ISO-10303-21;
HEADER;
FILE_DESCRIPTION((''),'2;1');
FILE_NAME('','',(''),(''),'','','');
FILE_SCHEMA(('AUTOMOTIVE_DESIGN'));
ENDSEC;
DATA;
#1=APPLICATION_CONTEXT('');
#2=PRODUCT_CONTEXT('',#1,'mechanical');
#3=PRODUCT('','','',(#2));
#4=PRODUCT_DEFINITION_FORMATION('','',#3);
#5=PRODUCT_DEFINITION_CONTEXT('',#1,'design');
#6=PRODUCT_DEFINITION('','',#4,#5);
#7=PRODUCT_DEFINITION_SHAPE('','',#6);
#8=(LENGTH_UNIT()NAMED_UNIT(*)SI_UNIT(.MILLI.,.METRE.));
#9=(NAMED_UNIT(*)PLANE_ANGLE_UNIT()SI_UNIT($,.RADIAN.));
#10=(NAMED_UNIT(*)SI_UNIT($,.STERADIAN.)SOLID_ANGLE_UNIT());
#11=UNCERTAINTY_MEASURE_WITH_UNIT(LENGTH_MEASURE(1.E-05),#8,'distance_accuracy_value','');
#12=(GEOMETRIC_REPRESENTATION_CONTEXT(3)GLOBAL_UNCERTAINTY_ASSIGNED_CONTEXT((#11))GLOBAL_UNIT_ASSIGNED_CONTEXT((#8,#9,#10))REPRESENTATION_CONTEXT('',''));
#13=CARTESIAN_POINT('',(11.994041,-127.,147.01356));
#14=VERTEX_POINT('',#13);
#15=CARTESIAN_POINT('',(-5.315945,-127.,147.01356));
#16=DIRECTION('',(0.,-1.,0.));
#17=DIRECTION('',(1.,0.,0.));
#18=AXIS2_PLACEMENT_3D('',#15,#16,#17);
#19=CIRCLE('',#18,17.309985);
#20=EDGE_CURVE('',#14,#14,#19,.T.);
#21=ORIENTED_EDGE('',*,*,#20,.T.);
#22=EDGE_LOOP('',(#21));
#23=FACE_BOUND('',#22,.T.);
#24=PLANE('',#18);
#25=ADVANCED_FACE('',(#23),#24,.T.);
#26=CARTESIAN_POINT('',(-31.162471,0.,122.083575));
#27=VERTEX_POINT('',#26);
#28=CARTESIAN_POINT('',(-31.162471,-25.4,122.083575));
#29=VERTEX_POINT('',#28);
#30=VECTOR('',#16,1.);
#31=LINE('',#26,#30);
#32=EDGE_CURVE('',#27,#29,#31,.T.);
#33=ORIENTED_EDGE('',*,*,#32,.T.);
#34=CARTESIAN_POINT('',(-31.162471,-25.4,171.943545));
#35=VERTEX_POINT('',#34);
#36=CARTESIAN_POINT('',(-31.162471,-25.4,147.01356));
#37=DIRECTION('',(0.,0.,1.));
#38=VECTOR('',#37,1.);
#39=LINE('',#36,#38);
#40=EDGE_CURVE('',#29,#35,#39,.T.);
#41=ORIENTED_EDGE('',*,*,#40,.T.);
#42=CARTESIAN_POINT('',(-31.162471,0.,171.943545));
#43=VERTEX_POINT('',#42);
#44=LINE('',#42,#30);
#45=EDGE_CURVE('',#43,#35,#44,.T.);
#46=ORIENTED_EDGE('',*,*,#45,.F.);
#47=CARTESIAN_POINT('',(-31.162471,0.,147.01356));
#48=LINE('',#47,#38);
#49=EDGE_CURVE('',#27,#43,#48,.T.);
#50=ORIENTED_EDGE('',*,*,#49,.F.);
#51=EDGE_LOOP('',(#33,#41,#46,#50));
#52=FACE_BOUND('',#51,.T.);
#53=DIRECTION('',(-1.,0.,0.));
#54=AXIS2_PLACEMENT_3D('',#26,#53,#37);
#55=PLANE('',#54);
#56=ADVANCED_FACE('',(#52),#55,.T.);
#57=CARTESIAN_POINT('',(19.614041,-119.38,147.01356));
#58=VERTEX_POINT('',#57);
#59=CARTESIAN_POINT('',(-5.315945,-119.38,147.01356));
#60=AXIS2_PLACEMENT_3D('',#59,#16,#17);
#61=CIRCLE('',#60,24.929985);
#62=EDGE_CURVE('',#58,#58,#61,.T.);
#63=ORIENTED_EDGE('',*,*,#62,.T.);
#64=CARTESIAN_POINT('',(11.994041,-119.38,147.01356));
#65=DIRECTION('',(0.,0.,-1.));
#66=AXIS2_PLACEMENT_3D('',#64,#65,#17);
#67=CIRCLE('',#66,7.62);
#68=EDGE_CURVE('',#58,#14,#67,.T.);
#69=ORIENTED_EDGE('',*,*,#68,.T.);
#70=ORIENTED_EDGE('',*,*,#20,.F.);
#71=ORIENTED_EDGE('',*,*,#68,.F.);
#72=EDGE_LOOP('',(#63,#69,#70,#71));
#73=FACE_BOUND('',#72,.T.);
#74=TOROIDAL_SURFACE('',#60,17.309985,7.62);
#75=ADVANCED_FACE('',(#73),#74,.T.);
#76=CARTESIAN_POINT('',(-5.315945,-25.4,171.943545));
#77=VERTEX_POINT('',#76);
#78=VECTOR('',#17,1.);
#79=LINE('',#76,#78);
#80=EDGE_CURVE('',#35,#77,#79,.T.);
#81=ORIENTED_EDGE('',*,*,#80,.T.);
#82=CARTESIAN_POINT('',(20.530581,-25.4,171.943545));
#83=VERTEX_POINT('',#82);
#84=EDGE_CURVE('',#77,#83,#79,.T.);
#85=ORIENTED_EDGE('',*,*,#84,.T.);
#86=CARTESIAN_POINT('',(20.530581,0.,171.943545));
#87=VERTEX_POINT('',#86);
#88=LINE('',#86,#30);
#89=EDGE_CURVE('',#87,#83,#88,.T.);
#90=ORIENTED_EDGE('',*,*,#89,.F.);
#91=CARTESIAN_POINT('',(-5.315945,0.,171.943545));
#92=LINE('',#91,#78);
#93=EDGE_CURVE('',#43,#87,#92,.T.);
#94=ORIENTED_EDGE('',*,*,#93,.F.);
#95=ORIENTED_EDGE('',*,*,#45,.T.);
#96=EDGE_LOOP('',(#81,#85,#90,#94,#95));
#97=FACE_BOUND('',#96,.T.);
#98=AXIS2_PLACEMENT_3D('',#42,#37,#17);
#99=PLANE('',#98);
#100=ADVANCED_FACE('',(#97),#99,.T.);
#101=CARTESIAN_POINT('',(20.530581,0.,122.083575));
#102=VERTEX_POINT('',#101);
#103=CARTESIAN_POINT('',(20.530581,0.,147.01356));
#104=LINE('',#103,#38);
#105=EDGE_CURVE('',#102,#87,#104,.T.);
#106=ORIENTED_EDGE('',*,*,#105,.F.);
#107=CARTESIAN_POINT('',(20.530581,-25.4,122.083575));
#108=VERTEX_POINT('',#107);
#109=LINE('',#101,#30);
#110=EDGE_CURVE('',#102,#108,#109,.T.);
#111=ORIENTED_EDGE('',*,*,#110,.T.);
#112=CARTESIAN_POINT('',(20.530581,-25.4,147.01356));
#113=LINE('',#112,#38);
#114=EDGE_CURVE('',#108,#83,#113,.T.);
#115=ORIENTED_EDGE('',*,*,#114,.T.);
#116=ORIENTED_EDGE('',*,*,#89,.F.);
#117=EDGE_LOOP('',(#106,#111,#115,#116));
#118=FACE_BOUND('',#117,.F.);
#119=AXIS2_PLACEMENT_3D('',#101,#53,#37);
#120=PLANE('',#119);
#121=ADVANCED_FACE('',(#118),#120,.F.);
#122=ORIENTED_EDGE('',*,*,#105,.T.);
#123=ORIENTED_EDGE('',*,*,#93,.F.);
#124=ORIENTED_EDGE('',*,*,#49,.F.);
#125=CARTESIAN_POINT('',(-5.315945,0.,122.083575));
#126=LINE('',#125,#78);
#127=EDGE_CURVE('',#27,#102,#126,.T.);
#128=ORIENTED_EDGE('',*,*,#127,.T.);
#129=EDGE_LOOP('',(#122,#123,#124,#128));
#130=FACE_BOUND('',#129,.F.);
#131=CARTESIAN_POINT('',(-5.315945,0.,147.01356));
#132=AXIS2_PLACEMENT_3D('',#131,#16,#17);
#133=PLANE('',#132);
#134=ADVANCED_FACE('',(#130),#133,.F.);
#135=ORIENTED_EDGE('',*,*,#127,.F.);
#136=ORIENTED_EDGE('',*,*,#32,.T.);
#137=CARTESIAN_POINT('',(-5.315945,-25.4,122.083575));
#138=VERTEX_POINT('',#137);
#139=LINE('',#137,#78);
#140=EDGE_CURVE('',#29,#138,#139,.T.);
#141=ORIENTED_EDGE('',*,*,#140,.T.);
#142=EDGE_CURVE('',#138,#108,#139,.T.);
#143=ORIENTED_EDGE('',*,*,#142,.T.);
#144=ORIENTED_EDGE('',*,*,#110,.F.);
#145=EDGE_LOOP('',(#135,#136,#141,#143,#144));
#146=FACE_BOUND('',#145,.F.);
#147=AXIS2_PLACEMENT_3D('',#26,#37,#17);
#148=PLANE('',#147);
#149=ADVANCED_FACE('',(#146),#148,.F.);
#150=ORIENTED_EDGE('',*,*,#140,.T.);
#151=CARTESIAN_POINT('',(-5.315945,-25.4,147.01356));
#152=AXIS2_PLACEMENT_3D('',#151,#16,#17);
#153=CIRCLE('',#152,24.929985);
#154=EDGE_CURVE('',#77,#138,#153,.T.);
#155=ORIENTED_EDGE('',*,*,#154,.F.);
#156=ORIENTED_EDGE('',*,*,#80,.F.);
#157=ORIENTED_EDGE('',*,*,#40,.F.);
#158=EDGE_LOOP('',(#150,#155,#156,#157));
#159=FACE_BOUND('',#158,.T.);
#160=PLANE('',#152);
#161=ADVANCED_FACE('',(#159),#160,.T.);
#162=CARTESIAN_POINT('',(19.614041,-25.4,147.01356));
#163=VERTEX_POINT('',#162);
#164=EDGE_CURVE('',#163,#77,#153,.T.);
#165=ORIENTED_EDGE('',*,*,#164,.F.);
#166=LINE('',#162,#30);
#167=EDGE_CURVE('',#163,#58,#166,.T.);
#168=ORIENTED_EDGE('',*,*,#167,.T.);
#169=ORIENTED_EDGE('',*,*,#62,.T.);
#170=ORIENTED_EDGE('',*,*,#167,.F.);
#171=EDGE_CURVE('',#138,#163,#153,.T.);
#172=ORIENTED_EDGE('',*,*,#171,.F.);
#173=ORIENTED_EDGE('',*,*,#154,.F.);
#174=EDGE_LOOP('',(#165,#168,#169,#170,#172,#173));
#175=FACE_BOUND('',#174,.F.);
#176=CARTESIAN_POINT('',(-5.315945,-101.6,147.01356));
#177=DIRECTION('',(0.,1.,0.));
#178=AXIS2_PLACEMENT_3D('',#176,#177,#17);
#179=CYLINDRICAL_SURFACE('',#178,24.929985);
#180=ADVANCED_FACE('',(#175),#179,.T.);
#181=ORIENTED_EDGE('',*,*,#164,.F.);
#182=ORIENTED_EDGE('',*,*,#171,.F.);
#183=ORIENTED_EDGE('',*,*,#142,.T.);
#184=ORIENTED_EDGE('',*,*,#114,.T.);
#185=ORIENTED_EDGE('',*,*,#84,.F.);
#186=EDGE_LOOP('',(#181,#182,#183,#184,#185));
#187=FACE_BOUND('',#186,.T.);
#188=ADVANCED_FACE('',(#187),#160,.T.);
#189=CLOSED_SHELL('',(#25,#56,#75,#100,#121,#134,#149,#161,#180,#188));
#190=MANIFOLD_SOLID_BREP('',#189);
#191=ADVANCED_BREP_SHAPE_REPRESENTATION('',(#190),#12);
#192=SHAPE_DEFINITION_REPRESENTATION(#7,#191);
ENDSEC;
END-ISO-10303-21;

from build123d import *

# Parameters (mm, degrees)
F0_W     = 51.6930520535
F0_H     = 49.859970808
F1_DEPTH = 25.4
F2_R     = 24.929985404
F3_DEPTH = 76.2
F4_R     = 24.929985404
F5_DEPTH = 25.4
F6_R     = 7.62


with BuildPart() as f1:
    # F0 (on Front) → F1 (new body)
    with BuildSketch(Plane.XZ):
        with Locations((-5.3159445524, 147.0135599375)):
            Rectangle(F0_W, F0_H)
    extrude(amount=F1_DEPTH)

    # F2 (on face) → F3 (join)
    with BuildSketch(Plane.XZ.offset(25.4)):
        with Locations((-5.3159445524, 147.0135599375)):
            Circle(F2_R)
    extrude(amount=F3_DEPTH)

    # F4 (on face) → F5 (join)
    with BuildSketch(Plane.XZ.offset(101.6)):
        with Locations((-5.3159445524, 147.0135599375)):
            Circle(F4_R)
    extrude(amount=F5_DEPTH)

    # F6
    f6_edges = [f1.edges().sort_by_distance(p)[0] for p in [
        (-30.24593, -127, 147.01356),
    ]]
    fillet(f6_edges, radius=F6_R)


solid = f1.part
